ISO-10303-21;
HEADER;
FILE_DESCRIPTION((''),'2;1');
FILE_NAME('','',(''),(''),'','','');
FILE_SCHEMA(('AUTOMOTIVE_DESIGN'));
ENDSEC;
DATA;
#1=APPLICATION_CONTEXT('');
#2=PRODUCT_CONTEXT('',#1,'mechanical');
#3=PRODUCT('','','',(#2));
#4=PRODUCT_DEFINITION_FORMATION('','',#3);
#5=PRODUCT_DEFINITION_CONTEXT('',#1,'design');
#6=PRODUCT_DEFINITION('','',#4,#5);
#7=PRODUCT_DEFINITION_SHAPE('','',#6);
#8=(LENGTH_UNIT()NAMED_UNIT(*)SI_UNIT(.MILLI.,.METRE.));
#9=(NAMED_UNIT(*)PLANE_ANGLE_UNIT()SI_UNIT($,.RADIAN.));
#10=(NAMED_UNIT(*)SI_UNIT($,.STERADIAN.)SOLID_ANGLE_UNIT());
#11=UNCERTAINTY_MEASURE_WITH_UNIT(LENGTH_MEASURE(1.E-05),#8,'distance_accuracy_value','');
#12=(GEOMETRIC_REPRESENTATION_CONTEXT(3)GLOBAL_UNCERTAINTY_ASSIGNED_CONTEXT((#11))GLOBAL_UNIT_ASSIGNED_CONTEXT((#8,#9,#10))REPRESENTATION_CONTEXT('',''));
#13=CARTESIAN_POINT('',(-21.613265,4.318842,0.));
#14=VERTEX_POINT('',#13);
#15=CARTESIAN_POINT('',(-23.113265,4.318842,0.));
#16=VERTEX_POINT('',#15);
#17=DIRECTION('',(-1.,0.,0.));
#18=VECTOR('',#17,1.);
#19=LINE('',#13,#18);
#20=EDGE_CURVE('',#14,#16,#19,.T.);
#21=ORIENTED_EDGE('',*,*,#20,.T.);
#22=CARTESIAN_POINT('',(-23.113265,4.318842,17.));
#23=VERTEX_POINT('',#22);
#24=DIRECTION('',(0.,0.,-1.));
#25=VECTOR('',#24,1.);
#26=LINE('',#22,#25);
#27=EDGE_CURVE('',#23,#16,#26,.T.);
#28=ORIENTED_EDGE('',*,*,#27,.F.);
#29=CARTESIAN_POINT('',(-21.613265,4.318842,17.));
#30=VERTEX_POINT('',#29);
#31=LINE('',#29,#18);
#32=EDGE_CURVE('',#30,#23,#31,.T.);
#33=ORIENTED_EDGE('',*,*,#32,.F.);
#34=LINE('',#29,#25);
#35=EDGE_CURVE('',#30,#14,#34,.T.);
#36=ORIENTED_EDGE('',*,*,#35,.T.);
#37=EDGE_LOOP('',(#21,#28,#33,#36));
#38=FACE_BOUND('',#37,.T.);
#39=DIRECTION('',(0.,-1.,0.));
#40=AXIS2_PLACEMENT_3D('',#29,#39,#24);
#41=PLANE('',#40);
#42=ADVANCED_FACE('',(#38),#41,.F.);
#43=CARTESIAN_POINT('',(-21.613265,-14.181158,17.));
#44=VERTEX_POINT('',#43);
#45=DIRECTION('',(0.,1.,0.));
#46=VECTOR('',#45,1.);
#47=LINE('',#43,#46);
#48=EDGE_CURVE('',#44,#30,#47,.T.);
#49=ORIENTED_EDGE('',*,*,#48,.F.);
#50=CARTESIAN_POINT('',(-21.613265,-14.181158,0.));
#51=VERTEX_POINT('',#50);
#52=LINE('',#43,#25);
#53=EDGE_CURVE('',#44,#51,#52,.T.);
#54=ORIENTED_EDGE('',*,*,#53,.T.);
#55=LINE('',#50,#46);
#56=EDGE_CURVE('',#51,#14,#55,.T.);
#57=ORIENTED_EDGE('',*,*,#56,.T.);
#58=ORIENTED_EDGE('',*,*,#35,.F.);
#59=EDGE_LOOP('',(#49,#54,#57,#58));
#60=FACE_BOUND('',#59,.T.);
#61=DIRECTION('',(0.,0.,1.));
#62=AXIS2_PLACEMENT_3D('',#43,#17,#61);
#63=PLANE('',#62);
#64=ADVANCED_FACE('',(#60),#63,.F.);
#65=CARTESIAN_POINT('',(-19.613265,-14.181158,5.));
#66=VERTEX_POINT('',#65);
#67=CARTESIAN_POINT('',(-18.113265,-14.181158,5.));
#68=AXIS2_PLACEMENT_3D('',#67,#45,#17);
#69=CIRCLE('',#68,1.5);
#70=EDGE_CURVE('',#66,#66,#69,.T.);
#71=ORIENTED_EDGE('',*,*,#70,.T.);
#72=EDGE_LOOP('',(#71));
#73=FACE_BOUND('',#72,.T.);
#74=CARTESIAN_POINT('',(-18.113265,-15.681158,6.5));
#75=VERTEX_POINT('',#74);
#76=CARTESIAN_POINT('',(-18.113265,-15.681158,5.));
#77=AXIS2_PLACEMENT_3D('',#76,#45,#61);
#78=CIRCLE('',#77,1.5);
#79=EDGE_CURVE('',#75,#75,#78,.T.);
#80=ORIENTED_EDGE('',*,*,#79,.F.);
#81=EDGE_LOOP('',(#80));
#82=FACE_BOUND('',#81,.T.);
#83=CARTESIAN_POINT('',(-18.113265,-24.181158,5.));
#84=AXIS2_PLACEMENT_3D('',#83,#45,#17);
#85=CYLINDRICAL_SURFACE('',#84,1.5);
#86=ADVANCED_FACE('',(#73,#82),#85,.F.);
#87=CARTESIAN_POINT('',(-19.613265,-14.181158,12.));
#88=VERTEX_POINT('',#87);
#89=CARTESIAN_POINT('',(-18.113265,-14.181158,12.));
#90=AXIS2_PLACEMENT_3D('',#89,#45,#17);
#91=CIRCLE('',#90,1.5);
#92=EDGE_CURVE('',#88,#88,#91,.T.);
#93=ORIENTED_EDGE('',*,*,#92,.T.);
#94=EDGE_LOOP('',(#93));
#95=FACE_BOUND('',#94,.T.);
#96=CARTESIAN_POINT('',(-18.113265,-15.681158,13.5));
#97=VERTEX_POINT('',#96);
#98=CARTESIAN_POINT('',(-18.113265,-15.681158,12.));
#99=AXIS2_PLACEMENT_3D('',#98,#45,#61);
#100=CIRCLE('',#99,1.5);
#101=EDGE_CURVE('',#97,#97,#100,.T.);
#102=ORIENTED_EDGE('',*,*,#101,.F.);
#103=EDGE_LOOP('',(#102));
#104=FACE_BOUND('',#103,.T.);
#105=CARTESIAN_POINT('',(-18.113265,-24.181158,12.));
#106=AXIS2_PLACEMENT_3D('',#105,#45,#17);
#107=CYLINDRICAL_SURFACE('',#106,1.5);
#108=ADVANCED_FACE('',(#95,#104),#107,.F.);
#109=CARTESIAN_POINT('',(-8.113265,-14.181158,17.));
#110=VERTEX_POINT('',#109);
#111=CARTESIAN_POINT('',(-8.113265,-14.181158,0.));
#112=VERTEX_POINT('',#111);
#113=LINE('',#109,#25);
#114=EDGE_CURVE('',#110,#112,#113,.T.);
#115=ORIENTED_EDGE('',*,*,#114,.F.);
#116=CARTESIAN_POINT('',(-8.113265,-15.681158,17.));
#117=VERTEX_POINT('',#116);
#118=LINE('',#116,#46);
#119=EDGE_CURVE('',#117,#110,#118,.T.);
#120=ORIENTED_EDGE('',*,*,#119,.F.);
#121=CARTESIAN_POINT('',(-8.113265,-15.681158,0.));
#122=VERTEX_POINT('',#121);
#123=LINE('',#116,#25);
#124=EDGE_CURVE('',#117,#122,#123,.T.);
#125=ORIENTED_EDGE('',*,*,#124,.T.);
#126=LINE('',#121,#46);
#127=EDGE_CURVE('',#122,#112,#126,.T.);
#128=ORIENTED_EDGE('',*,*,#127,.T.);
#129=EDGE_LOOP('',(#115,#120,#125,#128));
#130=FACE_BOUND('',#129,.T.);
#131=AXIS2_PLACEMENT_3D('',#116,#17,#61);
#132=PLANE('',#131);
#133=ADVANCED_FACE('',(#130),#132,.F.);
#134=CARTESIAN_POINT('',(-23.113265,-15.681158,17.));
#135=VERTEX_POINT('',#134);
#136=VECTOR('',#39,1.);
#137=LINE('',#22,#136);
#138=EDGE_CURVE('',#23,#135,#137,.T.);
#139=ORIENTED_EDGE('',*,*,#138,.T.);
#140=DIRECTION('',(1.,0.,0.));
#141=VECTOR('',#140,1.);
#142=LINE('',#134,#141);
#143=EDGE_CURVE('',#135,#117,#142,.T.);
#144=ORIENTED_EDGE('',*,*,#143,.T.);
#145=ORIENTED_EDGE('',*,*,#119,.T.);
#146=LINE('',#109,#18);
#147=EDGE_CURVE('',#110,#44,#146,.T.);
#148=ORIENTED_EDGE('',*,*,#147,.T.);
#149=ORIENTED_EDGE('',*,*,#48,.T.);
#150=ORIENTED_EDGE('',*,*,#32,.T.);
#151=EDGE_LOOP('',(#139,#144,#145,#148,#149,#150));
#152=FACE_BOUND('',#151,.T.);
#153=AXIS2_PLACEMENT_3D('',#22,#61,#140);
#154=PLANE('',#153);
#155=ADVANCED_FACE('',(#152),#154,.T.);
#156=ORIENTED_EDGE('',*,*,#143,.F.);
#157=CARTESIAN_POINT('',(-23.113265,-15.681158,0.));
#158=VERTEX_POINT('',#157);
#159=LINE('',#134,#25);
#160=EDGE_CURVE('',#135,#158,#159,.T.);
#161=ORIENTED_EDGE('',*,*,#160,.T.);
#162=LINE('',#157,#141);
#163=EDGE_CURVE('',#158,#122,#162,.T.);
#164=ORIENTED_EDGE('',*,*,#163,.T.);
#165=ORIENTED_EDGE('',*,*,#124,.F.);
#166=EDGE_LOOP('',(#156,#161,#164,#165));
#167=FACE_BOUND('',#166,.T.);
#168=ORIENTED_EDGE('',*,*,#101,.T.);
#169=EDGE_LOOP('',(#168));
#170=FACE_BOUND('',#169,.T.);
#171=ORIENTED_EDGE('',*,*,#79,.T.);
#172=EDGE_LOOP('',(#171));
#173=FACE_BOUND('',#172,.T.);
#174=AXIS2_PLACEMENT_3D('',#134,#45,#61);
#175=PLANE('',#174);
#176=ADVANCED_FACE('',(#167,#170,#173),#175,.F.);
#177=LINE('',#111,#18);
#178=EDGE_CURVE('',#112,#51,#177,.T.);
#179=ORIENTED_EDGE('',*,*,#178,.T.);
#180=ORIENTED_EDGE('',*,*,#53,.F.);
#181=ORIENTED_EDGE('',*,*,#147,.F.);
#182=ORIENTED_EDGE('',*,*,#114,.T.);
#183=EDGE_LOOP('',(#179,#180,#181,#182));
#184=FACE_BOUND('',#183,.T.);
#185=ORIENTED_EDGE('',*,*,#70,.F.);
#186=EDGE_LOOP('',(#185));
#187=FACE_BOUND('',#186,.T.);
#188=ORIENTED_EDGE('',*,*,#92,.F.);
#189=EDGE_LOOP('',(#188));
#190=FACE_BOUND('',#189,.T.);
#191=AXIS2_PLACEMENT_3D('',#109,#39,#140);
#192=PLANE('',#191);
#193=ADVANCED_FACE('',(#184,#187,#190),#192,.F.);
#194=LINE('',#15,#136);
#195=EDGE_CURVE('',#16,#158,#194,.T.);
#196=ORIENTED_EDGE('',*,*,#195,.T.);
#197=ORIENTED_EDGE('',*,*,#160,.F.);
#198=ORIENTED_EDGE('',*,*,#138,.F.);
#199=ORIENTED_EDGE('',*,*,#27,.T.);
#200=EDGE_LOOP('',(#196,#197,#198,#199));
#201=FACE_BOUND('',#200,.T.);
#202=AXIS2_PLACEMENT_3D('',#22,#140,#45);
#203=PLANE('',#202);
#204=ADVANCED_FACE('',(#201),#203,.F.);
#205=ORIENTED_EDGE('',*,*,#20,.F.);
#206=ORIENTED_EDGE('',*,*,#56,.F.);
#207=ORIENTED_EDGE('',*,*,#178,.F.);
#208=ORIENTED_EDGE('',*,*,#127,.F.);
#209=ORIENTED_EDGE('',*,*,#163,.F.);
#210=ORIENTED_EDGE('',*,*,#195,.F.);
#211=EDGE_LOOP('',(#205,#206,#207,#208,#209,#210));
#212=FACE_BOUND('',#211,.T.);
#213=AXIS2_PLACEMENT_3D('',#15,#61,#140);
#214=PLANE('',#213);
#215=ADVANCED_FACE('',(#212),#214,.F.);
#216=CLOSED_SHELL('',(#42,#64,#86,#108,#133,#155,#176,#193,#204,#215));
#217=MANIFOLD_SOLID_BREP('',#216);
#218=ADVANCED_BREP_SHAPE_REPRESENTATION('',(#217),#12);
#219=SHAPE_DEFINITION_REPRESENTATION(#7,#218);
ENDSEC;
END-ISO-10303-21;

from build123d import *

# Parameters (mm, degrees)
EXTRUSION1_DEPTH = 17
ESQUISSE2_R      = 1.5
EXTRUSION2_DEPTH = 10


with BuildPart() as part:
    # Esquisse1 → Extrusion1 (new body)
    with BuildSketch(Plane.XY):
        Polygon((-23.113265327, 4.318842105), (-23.113265327, -15.681157895), (-8.113265327, -15.681157895), (-8.113265327, -14.181157895), (-21.613265327, -14.181157895), (-21.613265327, 4.318842105), align=None)
    extrude(amount=EXTRUSION1_DEPTH)

    # Esquisse2 → Extrusion2 (cut)
    with BuildSketch(Plane(origin=(0, -14.181157895, 0), x_dir=(-1, 0, 0), z_dir=(0, 1, 0))):
        with Locations((18.113265327, 12)):
            Circle(ESQUISSE2_R)
        with Locations((18.113265327, 5)):
            Circle(ESQUISSE2_R)
    extrude(amount=-EXTRUSION2_DEPTH, mode=Mode.SUBTRACT)


solid = part.part
